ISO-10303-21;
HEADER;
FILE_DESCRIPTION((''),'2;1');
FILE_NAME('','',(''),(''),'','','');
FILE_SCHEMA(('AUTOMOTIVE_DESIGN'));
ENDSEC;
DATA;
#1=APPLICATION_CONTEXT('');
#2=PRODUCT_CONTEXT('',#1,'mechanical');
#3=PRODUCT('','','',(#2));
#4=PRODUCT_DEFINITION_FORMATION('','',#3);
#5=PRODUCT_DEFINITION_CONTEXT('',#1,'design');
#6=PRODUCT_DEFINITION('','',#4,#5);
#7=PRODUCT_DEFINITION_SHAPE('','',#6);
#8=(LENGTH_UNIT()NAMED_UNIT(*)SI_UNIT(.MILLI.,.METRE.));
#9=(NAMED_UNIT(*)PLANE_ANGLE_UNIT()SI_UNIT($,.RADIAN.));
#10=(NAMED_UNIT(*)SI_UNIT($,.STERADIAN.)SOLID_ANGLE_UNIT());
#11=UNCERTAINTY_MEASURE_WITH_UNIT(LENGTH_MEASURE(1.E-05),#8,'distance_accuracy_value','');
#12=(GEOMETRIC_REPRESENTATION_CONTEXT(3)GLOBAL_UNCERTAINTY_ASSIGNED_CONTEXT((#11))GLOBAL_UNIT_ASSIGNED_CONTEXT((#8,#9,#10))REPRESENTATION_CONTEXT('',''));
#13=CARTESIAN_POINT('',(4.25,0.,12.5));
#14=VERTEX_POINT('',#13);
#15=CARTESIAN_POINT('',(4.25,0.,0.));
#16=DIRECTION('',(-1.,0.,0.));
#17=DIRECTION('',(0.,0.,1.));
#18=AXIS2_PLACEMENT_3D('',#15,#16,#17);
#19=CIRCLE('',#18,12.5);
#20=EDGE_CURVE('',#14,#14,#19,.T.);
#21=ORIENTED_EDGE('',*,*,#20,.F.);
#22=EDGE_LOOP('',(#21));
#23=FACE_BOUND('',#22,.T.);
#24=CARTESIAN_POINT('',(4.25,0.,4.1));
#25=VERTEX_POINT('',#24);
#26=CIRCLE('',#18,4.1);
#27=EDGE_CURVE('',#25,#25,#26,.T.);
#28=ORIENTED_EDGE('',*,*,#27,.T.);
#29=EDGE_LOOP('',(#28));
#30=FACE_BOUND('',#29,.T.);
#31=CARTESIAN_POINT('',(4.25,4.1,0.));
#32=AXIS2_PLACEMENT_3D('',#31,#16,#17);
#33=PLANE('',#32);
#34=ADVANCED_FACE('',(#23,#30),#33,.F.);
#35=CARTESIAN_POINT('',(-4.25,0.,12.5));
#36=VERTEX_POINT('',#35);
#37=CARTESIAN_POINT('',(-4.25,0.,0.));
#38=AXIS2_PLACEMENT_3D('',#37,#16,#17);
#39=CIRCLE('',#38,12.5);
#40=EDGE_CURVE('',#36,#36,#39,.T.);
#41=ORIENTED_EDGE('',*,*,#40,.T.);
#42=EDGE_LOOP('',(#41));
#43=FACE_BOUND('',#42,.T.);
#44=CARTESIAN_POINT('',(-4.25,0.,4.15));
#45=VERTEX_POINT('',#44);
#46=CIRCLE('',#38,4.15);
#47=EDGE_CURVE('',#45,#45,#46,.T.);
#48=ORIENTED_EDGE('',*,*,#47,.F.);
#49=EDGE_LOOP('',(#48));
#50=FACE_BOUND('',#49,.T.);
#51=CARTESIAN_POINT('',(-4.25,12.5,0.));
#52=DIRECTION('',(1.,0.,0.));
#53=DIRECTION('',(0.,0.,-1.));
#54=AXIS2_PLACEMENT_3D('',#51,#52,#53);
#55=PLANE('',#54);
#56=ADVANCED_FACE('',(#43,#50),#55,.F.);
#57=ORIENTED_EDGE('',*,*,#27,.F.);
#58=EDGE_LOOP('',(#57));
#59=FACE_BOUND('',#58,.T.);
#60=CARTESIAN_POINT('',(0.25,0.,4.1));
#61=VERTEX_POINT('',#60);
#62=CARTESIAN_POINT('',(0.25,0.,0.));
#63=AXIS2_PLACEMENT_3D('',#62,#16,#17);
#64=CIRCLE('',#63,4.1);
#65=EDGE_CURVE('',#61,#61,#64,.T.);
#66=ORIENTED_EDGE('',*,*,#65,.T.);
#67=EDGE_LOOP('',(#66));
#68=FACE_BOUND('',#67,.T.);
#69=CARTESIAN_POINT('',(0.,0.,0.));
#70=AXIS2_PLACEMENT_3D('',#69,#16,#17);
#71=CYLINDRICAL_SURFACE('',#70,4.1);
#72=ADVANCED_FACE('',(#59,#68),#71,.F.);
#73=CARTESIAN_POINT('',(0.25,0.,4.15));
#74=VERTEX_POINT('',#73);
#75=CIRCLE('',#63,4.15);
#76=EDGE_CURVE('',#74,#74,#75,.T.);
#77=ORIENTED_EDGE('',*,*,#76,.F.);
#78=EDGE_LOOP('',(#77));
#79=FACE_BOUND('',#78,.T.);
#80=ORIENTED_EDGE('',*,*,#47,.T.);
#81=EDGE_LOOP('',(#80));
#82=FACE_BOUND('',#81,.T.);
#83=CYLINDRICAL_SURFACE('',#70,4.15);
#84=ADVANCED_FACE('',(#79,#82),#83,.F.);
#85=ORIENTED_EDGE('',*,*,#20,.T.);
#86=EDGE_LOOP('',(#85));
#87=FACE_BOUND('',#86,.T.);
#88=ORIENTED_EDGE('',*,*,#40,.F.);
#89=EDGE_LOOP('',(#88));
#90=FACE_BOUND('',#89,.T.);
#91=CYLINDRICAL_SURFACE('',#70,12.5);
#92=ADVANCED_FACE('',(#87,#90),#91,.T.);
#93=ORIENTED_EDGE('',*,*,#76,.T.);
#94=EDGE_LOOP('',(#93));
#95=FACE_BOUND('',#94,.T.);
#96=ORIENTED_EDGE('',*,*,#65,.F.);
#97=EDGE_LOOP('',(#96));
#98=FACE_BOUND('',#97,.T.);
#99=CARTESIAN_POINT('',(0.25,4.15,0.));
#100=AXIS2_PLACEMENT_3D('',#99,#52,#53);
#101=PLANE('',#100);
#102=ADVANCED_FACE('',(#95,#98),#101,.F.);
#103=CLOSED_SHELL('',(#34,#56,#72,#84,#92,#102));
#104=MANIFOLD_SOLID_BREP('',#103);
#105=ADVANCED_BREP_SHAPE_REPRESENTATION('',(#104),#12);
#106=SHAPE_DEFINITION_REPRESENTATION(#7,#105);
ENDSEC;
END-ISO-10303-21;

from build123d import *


with BuildPart() as part:
    # Sketch1 → Revolve1 (revolve)
    with BuildSketch(Plane.XY, mode=Mode.PRIVATE) as revolve1_sk:
        Polygon((-4.25, 12.5), (4.25, 12.5), (4.25, 4.1), (0.25, 4.1), (0.25, 4.15), (-4.25, 4.15), align=None)
    revolve(revolve1_sk.sketch.rotate(Axis((0, 0, 0), (1, 0, 0)), 90), axis=Axis((0, 0, 0), (1, 0, 0)))


solid = part.part
